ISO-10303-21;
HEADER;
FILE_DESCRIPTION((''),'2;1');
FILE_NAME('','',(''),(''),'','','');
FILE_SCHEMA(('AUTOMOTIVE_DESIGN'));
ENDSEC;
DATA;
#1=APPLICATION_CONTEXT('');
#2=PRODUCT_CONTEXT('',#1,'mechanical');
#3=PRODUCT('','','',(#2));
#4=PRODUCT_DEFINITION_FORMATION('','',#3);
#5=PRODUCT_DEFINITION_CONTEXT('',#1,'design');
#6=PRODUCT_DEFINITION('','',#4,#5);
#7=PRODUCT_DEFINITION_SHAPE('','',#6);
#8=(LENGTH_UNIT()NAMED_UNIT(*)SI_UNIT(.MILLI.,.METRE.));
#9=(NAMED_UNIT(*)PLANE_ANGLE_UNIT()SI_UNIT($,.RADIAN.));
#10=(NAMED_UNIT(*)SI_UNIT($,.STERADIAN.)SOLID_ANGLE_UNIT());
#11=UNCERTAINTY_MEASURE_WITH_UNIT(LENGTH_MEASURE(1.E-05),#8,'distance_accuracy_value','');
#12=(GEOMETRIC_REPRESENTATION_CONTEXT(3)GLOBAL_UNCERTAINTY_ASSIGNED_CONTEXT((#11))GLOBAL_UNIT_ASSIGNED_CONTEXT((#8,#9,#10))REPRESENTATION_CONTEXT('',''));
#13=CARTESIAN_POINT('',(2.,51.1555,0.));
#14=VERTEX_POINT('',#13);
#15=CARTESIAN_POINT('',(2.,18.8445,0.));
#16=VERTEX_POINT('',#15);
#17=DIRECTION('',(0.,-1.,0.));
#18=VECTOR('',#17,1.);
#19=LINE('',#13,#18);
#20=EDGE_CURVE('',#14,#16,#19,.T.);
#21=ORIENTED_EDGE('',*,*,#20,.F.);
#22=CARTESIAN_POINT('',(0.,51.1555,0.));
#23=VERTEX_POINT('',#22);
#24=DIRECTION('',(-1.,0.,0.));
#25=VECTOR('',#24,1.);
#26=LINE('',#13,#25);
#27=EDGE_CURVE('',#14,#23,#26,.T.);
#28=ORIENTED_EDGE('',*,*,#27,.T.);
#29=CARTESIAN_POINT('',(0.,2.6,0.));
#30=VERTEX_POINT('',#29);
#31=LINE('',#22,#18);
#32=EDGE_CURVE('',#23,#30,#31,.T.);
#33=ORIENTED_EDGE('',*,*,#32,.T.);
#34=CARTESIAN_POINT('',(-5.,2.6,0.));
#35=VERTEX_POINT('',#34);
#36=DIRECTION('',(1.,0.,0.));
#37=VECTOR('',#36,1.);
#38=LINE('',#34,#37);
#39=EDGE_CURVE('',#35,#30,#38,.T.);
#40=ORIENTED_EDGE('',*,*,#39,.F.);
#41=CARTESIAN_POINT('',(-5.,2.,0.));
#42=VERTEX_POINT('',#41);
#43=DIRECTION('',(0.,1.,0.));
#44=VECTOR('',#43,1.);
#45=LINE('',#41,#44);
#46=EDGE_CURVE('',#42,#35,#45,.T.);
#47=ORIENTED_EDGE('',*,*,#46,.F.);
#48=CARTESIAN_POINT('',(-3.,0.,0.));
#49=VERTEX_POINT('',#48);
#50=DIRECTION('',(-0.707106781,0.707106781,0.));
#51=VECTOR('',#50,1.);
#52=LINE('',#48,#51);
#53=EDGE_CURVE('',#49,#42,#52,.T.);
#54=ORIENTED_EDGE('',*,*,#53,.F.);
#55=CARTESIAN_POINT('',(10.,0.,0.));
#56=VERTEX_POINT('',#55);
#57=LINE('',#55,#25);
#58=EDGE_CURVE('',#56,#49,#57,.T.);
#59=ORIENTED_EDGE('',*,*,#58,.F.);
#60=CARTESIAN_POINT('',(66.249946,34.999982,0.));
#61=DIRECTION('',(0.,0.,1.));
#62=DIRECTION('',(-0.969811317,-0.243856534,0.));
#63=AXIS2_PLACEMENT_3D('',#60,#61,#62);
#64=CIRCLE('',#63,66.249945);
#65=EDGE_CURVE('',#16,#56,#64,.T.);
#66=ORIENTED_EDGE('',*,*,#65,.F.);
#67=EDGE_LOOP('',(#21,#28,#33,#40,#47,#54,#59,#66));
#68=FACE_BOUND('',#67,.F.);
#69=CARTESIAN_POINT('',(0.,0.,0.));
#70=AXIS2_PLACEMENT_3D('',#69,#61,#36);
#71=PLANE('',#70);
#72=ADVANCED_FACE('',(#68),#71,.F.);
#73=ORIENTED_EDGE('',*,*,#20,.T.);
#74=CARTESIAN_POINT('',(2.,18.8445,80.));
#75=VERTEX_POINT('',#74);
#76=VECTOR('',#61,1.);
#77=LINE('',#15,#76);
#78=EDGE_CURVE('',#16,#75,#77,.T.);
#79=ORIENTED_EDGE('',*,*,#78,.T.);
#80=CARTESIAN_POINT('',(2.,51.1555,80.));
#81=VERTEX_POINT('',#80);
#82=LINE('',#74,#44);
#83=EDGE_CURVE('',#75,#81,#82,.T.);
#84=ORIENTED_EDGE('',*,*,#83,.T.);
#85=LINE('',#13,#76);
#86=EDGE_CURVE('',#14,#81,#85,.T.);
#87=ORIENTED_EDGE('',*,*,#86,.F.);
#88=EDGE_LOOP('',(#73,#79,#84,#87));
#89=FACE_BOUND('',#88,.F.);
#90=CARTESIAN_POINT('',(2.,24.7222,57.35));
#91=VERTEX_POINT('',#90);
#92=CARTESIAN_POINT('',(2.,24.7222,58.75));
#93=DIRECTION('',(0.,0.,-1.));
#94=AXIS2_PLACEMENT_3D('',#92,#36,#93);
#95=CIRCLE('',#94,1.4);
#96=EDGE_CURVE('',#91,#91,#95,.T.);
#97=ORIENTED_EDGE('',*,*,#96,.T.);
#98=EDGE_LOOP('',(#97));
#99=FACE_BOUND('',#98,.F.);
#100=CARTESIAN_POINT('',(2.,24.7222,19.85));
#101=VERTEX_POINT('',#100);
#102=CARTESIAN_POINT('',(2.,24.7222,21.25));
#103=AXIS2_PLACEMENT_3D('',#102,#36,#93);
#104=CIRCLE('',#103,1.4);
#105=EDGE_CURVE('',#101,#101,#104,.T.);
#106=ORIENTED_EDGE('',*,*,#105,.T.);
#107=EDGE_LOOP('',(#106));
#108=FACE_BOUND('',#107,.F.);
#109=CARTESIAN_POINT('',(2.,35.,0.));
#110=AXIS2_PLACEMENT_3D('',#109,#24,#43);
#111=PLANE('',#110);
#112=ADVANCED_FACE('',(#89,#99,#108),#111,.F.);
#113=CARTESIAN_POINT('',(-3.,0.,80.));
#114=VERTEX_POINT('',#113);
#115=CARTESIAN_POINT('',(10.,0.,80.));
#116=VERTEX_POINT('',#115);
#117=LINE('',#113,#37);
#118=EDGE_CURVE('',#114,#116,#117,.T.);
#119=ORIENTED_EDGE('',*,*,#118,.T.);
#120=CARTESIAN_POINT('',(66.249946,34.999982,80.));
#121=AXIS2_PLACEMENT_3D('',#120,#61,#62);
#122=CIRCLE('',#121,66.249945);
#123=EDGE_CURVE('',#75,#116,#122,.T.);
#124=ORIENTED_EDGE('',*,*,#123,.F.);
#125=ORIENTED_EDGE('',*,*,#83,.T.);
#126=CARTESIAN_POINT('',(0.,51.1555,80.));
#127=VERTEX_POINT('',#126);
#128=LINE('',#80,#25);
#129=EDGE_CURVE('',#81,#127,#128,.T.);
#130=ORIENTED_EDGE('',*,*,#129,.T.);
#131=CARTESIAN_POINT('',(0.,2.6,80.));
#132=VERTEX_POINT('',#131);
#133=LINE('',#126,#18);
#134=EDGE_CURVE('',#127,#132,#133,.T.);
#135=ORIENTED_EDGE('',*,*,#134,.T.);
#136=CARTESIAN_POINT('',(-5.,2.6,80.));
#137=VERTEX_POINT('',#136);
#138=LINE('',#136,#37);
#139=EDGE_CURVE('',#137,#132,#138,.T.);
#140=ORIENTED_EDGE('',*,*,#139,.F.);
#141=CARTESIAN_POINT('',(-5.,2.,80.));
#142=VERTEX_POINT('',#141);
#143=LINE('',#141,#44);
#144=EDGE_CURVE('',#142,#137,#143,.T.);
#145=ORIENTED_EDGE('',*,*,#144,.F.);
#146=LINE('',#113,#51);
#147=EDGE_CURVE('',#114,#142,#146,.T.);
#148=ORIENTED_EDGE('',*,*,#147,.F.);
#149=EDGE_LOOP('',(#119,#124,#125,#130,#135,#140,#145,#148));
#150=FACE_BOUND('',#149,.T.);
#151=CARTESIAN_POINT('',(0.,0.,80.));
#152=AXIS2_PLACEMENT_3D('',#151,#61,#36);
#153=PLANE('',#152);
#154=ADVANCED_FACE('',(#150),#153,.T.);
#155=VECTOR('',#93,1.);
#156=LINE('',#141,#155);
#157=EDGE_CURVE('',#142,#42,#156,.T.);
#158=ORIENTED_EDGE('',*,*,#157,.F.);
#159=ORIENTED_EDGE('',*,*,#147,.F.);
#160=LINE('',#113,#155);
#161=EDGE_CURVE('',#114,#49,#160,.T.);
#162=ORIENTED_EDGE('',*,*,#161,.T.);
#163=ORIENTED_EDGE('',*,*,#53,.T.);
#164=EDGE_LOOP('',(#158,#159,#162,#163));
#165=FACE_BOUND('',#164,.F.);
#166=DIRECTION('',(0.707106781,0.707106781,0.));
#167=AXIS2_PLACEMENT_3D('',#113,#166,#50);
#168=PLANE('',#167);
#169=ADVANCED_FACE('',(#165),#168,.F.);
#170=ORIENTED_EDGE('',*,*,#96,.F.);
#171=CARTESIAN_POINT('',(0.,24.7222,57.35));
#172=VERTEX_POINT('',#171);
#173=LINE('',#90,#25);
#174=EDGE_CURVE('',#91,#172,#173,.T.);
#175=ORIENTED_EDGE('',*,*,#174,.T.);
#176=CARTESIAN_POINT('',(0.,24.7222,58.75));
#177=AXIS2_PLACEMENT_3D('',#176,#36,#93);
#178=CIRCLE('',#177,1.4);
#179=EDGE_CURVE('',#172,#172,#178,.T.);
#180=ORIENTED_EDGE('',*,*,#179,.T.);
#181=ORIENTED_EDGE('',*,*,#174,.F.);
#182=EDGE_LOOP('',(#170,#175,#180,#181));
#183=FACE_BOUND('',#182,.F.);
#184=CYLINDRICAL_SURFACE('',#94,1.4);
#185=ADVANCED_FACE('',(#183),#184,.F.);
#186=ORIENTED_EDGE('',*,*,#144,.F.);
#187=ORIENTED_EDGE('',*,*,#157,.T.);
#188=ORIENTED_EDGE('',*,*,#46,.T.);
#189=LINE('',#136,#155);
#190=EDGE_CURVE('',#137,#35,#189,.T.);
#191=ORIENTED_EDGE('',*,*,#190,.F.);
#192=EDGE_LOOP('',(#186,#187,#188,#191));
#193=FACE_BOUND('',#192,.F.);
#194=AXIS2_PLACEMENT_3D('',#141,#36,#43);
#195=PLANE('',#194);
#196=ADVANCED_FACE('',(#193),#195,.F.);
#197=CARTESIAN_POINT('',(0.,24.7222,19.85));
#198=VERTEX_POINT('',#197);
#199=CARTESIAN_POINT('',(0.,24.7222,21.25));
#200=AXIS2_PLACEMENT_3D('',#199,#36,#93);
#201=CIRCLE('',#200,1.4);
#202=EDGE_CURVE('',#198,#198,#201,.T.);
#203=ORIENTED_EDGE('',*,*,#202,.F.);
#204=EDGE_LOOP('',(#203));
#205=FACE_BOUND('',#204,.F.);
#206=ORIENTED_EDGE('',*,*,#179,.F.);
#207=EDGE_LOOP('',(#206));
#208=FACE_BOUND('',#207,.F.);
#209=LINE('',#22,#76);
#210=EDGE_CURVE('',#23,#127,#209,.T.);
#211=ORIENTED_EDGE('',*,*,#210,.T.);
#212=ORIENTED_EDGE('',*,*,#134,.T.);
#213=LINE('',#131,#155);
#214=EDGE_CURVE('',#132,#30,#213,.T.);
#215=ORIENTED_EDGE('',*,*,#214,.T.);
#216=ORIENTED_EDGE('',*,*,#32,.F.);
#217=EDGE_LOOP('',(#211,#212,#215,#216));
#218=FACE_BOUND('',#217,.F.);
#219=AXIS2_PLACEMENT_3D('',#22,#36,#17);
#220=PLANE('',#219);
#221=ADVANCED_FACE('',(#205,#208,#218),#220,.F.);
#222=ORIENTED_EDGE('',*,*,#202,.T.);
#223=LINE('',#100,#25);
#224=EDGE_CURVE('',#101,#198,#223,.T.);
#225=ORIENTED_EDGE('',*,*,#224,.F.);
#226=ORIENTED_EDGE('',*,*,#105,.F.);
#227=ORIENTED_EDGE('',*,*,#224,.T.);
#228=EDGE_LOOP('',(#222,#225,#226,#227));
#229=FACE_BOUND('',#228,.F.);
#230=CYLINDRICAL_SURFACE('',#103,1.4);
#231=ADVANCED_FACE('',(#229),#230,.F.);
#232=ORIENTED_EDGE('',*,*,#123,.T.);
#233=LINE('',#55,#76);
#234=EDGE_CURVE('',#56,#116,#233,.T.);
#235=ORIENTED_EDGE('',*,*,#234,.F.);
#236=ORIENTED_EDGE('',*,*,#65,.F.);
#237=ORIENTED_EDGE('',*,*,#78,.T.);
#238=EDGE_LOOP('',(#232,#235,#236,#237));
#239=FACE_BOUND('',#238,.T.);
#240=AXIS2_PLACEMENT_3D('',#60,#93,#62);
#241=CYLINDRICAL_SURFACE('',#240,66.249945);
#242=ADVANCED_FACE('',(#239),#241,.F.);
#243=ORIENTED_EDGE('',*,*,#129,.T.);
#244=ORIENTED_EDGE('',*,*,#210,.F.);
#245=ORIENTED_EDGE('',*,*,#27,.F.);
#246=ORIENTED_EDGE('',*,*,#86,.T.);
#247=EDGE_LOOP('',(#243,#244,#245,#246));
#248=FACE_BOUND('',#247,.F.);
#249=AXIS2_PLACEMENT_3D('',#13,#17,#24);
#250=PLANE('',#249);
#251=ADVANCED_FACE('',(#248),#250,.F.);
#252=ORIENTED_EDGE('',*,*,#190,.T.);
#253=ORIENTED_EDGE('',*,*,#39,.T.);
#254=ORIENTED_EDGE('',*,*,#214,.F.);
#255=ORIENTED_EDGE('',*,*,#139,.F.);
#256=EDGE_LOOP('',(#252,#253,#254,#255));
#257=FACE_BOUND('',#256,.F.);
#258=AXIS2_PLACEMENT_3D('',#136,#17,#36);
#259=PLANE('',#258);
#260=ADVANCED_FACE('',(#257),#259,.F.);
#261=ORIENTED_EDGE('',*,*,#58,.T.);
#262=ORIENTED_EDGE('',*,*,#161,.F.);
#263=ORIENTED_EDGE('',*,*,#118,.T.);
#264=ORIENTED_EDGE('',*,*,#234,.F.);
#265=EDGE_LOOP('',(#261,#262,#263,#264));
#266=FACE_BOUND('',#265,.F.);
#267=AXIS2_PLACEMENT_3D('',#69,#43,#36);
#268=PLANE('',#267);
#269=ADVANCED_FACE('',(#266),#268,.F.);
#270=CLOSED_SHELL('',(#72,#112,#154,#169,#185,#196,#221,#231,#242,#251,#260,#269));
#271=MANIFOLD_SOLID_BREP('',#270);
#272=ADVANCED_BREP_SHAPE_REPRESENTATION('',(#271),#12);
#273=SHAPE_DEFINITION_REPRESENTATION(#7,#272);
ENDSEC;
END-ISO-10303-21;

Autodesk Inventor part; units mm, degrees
ref_plane "YZ Plane" through (0, 0, 0) normal (1, 0, 0) x (0, 1, 0)
ref_plane "XZ Plane" through (0, 0, 0) normal (0, 1, 0) x (-1, 0, 0)
ref_plane "XY Plane" through (0, 0, 0) normal (0, 0, 1) x (1, 0, 0)
sketch "Esboço1" plane through (0, 0, 0) normal (0, 0, 1) x (1, 0, 0)
  line L0 (0, 0) -> (10, 0)
  line L1 (0, 51.1555) -> (0, 0)
  line L2 (2, 35) -> (2, 18.8445)
  line L3 (2, 35) -> (2, 51.1555)
  arc A0 (2, 18.8445) -> (10, 0) centre (66.25, 35) ccw
  line L4 (2, 51.1555) -> (0, 51.1555)
extrude "Extrusão1" add sketch "Esboço1" along normal blind 80
sketch "Esboço2" plane through (0, 0, 80) normal (0, 0, 1) x (1, 0, 0)
  line L0 (0, 0) -> (10, 0) projected
  line L1 (0, 0) -> (-3, 0)
  line L2 (-5, 2) -> (-5, 2.6)
  line L3 (-5, 2.6) -> (0, 2.6)
  line L4 (-3, 0) -> (-5, 2)
  line L5 (0, 51.1555) -> (0, 0) projected
  line L6 (0, 2.6) -> (0, 0)
  point P0 (-5, 0)
  dimension "d5" = 5
  dimension "d6" = 2.6
  dimension "d7" = 2
  dimension "d8" = 2
extrude "Extrusão2" add sketch "Esboço2" against normal blind 80
sketch "Esboço3" plane through (2, 18.8445, 0) normal (1, 0, 0) x (0, 0, -1)
  line L0 (0, 0) -> (-80, 0) projected
  line L1 (-2.5, 11.7555) -> (-77.5, 11.7555) projected
  line L2 (-2.5, 11.7555) -> (-2.5, -13.7445) projected
  line L3 (-77.5, -13.7445) -> (-2.5, -13.7445) projected
  line L4 (-77.5, 11.7555) -> (-77.5, -13.7445) projected
  line L5 (-77.5, 11.7555) -> (-40, 0) construction
  line L6 (-40, 0) -> (-2.5, 11.7555) construction
  circle A0 centre (-58.75, 5.8777) radius 1.4
  circle A1 centre (-21.25, 5.8777) radius 1.4
  point P0 (0, -18.8445)
  dimension "d11" = 2.8
  dimension "d12" = 2.8
extrude "Extrusão3" cut sketch "Esboço3" against normal blind 80 contours A0 | A1
equation "\"d8\" = d7"
properties part number "Rampa"
